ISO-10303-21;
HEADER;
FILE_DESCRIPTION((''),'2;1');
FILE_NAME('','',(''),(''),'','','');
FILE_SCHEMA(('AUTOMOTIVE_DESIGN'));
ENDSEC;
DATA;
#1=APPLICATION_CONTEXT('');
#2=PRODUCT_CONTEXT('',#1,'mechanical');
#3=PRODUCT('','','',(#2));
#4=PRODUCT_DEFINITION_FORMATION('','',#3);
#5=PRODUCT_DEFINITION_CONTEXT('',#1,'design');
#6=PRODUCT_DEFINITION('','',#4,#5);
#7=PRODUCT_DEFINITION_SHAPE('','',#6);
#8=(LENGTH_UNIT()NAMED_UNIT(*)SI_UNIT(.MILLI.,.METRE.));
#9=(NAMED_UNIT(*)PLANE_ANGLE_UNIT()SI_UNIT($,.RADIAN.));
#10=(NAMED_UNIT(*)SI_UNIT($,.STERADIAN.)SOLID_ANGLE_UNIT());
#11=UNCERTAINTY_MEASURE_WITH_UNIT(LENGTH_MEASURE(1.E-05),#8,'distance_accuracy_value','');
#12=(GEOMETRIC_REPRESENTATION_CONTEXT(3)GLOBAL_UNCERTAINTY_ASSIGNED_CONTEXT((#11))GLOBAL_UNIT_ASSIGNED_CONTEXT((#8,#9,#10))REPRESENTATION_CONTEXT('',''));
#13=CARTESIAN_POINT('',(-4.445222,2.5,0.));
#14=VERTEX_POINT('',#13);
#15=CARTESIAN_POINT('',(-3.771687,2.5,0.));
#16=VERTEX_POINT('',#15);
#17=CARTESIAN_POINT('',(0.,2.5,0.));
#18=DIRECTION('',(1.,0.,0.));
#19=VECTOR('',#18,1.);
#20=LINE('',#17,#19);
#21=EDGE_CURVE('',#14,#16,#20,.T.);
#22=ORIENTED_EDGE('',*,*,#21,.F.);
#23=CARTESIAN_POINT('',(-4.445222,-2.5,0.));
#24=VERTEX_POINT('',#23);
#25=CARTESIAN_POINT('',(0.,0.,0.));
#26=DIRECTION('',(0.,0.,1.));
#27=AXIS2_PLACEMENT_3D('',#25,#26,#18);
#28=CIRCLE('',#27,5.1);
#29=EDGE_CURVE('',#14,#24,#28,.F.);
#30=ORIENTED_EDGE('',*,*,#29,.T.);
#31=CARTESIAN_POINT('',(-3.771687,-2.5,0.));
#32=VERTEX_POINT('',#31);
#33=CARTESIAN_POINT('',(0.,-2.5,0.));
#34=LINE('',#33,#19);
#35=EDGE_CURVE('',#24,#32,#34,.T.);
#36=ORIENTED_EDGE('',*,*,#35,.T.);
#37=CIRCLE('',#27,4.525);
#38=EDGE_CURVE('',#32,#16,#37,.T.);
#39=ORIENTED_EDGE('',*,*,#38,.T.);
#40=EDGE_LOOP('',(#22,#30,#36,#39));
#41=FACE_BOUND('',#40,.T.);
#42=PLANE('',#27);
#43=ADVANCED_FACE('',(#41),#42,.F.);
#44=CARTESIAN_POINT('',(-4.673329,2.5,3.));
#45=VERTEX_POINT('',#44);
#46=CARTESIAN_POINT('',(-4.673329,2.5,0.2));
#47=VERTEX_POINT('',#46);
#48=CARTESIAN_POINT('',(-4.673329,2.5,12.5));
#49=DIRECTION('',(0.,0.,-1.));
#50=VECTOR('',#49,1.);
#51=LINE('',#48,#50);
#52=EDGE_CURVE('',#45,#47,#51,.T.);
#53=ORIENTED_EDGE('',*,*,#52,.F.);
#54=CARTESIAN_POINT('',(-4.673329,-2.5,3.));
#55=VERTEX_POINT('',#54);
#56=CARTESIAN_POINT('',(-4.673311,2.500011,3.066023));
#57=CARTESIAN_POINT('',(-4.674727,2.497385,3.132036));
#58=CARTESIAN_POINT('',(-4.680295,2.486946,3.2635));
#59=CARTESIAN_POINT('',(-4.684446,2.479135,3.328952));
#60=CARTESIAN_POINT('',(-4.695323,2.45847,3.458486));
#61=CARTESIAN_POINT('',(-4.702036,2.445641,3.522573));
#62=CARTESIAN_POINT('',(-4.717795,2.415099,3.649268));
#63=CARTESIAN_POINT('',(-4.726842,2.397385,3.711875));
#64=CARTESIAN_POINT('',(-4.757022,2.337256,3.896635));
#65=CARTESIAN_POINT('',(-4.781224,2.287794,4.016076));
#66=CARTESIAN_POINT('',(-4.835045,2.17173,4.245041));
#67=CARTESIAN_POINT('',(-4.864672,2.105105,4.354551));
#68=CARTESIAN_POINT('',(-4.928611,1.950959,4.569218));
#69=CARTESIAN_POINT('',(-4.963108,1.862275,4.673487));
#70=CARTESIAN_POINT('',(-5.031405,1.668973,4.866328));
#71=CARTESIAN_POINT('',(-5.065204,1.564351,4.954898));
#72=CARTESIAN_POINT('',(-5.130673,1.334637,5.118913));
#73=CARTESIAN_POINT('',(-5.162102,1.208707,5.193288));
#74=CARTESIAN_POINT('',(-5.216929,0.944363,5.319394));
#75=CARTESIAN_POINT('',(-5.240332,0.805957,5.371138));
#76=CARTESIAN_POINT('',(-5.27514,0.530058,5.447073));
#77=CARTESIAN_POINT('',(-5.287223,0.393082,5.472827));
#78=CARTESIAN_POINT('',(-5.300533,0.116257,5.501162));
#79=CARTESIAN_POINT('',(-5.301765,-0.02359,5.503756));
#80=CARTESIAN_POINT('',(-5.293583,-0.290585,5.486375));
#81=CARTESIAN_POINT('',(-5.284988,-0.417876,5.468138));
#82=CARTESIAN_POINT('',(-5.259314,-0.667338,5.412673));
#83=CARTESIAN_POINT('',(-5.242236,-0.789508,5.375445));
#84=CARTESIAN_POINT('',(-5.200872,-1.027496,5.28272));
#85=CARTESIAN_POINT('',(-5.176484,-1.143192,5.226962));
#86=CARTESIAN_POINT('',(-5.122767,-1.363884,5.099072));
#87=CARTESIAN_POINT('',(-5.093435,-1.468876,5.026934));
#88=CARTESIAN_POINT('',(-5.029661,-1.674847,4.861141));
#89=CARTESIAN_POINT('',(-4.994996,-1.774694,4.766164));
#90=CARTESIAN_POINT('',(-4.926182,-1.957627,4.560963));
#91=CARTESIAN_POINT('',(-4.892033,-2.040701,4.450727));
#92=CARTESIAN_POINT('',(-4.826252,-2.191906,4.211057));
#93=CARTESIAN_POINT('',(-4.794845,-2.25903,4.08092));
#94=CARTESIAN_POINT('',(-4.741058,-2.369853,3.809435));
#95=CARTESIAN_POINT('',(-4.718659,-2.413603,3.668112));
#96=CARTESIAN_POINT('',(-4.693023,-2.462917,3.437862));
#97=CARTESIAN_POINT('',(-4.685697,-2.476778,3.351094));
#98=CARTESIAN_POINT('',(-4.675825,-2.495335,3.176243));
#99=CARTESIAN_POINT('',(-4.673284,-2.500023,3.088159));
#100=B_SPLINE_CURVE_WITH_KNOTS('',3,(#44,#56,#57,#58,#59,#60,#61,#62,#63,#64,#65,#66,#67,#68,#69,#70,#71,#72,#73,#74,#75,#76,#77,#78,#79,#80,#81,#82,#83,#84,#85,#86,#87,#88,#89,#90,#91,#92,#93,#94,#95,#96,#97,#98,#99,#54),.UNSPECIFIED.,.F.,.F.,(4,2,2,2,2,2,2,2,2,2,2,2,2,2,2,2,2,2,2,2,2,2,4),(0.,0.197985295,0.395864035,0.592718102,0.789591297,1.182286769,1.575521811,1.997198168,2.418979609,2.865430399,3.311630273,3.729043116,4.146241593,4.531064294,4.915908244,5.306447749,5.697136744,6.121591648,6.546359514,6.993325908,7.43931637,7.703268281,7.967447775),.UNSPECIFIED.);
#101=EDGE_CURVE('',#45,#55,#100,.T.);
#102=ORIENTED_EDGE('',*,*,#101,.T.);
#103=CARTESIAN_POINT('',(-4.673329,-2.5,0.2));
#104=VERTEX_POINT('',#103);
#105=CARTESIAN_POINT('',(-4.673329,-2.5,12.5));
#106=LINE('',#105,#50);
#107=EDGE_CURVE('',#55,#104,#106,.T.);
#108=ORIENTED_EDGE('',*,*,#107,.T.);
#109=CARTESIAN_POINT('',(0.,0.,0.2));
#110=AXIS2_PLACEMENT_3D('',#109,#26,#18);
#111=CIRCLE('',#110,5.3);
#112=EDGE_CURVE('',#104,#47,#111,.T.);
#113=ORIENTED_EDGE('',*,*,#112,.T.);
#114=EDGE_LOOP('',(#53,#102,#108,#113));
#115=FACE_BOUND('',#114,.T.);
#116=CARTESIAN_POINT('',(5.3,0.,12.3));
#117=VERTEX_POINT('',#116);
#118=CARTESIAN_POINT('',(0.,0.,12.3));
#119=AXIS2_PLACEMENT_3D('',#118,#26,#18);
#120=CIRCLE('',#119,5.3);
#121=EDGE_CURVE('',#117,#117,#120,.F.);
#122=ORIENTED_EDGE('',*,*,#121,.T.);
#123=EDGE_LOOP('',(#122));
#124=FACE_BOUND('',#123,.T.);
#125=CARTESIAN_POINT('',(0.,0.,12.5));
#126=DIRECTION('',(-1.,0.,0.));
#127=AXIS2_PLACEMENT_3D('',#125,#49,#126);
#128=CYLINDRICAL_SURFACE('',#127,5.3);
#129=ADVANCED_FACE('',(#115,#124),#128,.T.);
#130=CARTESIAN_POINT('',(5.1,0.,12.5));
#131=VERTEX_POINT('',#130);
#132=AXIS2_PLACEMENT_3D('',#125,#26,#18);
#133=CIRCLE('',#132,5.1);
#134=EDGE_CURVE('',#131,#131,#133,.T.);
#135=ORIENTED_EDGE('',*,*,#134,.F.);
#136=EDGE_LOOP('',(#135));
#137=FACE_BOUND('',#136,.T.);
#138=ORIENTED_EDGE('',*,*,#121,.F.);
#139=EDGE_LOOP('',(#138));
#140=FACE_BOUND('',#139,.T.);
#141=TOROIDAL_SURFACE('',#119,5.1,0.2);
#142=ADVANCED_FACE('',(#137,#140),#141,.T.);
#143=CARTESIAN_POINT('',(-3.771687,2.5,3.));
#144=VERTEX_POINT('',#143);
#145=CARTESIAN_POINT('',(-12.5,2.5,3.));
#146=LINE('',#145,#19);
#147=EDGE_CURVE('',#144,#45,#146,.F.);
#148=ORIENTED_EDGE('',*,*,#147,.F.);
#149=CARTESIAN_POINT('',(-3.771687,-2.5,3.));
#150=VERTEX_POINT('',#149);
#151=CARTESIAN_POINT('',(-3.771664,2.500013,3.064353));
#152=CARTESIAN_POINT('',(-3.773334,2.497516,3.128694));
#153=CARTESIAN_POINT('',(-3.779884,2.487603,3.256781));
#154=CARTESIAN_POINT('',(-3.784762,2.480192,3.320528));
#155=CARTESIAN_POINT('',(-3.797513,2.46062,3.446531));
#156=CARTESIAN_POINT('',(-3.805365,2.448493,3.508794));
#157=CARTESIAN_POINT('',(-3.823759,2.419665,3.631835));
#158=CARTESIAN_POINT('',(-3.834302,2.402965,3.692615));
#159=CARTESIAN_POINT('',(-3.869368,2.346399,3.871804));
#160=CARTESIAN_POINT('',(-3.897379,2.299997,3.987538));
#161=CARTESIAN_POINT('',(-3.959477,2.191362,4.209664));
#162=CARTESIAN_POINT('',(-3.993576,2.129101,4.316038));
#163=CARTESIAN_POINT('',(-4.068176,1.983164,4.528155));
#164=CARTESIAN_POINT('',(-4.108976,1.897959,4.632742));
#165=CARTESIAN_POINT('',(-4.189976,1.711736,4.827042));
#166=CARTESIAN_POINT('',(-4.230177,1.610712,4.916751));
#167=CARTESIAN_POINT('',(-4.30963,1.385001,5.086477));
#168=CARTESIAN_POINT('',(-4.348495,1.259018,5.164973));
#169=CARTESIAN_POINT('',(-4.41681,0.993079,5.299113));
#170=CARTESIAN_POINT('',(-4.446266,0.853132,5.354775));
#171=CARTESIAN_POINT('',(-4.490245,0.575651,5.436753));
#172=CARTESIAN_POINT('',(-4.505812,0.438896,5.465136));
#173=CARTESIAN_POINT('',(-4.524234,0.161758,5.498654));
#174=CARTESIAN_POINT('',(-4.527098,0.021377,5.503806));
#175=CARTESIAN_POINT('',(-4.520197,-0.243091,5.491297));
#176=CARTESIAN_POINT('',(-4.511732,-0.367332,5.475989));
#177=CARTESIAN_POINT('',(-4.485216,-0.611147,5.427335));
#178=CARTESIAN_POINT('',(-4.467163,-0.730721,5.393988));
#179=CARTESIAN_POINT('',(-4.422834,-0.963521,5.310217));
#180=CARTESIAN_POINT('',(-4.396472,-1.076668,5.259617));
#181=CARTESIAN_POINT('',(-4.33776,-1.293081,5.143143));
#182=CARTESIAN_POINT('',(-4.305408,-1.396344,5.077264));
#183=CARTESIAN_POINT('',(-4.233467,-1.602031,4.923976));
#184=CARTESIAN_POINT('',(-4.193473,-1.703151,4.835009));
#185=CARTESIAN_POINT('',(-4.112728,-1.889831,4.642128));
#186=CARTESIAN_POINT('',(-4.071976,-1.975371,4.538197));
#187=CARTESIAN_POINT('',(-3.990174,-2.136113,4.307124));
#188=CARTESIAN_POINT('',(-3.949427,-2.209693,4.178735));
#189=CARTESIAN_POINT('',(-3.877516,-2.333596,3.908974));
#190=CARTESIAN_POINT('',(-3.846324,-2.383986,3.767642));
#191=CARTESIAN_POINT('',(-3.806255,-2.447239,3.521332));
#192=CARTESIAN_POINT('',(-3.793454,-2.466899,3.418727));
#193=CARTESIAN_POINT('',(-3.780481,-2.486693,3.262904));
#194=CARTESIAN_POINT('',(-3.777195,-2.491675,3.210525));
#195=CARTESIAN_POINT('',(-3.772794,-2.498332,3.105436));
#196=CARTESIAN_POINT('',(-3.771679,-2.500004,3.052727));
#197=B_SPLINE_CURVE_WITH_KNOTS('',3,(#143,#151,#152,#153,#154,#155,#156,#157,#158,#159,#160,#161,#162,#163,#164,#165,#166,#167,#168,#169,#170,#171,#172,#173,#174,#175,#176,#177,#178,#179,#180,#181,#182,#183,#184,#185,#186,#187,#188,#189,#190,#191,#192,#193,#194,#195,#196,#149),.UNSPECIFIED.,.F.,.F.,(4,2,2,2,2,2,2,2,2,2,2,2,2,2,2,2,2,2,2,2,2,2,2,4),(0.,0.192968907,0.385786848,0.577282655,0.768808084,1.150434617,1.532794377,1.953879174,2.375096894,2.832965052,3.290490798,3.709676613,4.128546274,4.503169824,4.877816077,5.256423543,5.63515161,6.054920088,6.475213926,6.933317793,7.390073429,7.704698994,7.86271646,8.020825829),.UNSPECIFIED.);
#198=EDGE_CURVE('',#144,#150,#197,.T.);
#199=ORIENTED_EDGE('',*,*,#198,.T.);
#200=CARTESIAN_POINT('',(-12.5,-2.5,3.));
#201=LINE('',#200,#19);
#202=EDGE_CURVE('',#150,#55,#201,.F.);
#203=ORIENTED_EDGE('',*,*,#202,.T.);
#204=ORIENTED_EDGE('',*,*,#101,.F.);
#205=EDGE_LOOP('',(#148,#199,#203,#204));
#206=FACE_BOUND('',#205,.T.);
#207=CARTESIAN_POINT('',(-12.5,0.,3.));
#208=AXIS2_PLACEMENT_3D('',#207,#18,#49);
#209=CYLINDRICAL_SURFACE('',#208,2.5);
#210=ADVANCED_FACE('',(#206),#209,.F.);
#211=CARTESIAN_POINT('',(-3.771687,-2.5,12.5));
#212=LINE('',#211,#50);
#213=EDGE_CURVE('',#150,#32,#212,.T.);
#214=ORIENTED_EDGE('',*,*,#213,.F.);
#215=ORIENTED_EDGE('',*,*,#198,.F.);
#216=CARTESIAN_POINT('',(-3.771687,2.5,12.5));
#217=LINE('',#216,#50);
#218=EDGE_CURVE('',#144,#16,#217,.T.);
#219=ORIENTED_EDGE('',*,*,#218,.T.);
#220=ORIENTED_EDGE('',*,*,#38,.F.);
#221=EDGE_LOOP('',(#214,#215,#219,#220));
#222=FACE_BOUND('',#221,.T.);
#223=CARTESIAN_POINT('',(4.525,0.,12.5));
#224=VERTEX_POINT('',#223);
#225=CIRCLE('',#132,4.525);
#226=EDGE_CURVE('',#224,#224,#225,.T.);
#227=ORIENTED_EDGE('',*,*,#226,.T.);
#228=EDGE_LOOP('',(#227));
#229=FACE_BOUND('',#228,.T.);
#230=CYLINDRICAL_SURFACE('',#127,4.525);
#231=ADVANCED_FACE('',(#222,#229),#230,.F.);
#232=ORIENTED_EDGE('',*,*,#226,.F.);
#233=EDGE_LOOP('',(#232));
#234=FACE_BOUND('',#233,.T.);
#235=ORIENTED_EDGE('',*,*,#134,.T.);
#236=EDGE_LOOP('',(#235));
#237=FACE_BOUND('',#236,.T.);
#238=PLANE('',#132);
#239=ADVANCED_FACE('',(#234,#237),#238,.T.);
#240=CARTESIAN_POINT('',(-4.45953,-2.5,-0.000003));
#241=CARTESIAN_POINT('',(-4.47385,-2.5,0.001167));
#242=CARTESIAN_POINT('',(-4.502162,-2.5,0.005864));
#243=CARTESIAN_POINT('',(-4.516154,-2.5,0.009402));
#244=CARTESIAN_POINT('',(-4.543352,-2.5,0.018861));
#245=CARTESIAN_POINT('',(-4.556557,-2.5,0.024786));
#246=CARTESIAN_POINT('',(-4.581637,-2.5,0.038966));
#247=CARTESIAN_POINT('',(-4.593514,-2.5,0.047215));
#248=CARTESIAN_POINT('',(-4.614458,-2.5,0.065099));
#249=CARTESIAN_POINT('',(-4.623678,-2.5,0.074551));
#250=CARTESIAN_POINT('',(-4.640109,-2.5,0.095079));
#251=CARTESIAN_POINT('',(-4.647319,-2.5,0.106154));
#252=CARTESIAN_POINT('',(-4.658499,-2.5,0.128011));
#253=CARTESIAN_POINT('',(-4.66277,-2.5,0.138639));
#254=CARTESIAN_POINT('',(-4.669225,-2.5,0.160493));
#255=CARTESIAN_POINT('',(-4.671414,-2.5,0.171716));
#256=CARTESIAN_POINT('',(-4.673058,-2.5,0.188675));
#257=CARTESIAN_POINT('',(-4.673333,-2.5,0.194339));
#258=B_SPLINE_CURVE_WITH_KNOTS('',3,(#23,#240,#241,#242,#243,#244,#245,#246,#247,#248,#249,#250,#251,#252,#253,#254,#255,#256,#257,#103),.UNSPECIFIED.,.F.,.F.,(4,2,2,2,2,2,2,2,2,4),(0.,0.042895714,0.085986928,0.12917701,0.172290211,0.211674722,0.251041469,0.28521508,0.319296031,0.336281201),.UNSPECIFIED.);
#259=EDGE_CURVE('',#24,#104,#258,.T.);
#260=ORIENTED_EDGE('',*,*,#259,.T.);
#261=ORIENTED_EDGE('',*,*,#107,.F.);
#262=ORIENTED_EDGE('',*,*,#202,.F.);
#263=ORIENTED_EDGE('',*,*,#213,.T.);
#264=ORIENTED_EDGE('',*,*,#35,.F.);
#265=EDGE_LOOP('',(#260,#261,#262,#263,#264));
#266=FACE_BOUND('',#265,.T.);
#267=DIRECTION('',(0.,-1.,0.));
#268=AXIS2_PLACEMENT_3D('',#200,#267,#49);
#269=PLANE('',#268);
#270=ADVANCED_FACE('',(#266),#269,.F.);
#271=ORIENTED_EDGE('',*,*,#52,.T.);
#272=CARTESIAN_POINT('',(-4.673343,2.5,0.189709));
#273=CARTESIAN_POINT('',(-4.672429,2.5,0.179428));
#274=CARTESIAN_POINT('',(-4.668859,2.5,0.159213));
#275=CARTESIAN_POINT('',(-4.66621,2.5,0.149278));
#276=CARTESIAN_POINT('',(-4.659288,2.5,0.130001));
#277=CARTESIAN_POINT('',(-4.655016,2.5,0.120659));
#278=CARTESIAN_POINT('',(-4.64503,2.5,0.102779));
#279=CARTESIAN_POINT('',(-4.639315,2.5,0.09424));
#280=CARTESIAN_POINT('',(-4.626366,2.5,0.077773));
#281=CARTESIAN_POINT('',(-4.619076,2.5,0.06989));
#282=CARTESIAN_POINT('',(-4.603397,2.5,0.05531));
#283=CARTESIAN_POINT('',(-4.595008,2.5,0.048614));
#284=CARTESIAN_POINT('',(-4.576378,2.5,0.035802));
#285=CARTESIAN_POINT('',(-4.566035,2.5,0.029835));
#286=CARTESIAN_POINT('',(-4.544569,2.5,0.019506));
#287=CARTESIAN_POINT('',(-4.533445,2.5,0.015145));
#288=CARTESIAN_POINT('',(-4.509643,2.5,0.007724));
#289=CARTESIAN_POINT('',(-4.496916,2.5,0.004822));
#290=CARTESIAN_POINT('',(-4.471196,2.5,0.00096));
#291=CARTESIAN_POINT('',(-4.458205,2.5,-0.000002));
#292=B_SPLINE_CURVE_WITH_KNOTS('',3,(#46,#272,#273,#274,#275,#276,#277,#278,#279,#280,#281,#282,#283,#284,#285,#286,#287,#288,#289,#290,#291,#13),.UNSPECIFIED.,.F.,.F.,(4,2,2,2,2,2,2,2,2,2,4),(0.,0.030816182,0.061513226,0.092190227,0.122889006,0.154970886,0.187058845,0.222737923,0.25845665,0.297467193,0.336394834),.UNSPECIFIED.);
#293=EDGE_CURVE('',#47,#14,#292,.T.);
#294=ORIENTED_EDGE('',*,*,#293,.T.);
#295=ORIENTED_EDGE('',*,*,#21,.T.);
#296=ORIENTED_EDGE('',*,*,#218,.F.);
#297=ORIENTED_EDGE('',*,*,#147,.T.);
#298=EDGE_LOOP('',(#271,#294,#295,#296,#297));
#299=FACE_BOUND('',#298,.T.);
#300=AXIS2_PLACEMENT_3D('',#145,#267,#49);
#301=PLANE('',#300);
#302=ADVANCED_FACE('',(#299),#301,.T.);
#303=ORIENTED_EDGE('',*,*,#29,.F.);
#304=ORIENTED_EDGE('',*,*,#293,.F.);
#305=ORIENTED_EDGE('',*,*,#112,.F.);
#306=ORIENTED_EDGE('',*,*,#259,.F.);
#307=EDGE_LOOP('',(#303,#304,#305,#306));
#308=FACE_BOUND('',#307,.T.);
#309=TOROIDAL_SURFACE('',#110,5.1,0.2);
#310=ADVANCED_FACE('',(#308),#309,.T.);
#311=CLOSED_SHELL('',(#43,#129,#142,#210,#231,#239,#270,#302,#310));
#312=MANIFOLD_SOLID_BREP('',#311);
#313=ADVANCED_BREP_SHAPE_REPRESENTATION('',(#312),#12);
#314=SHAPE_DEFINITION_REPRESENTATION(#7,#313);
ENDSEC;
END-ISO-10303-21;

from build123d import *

# Parameters (mm, degrees)
SKETCH_1_R          = 5.3
SKETCH_1_R_2        = 4.525
EXTRUDE_1_DEPTH     = 12.5
SKETCH_2_R          = 2.5
SKETCH_2_W          = 3.970430226
SKETCH_2_H          = 5
CUT_EXTRUDE_1_DEPTH = 12.5
FILLET_1_R          = 0.2


with BuildPart() as part:
    # 草图1 → 凸台-拉伸1 (new body)
    with BuildSketch(Plane.XY):
        Circle(SKETCH_1_R)
        Circle(SKETCH_1_R_2, mode=Mode.SUBTRACT)
    extrude(amount=EXTRUDE_1_DEPTH)

    # 草图2 → 切除-拉伸1 (cut)
    with BuildSketch(Plane(origin=(0, 0, 0), x_dir=(0, 0, -1), z_dir=(1, 0, 0))):
        with Locations((-3, 0)):
            Circle(SKETCH_2_R)
        with Locations((-1.014784887, 0)):
            Rectangle(SKETCH_2_W, SKETCH_2_H)
    extrude(amount=-CUT_EXTRUDE_1_DEPTH, mode=Mode.SUBTRACT)

    # 圆角1
    fillet_1_edges = [part.edges().sort_by_distance(p)[0] for p in [
        (1.288673453, 5.14094551, 0),
        (-5.3, 0, 12.5),
    ]]
    fillet(fillet_1_edges, radius=FILLET_1_R)


solid = part.part
